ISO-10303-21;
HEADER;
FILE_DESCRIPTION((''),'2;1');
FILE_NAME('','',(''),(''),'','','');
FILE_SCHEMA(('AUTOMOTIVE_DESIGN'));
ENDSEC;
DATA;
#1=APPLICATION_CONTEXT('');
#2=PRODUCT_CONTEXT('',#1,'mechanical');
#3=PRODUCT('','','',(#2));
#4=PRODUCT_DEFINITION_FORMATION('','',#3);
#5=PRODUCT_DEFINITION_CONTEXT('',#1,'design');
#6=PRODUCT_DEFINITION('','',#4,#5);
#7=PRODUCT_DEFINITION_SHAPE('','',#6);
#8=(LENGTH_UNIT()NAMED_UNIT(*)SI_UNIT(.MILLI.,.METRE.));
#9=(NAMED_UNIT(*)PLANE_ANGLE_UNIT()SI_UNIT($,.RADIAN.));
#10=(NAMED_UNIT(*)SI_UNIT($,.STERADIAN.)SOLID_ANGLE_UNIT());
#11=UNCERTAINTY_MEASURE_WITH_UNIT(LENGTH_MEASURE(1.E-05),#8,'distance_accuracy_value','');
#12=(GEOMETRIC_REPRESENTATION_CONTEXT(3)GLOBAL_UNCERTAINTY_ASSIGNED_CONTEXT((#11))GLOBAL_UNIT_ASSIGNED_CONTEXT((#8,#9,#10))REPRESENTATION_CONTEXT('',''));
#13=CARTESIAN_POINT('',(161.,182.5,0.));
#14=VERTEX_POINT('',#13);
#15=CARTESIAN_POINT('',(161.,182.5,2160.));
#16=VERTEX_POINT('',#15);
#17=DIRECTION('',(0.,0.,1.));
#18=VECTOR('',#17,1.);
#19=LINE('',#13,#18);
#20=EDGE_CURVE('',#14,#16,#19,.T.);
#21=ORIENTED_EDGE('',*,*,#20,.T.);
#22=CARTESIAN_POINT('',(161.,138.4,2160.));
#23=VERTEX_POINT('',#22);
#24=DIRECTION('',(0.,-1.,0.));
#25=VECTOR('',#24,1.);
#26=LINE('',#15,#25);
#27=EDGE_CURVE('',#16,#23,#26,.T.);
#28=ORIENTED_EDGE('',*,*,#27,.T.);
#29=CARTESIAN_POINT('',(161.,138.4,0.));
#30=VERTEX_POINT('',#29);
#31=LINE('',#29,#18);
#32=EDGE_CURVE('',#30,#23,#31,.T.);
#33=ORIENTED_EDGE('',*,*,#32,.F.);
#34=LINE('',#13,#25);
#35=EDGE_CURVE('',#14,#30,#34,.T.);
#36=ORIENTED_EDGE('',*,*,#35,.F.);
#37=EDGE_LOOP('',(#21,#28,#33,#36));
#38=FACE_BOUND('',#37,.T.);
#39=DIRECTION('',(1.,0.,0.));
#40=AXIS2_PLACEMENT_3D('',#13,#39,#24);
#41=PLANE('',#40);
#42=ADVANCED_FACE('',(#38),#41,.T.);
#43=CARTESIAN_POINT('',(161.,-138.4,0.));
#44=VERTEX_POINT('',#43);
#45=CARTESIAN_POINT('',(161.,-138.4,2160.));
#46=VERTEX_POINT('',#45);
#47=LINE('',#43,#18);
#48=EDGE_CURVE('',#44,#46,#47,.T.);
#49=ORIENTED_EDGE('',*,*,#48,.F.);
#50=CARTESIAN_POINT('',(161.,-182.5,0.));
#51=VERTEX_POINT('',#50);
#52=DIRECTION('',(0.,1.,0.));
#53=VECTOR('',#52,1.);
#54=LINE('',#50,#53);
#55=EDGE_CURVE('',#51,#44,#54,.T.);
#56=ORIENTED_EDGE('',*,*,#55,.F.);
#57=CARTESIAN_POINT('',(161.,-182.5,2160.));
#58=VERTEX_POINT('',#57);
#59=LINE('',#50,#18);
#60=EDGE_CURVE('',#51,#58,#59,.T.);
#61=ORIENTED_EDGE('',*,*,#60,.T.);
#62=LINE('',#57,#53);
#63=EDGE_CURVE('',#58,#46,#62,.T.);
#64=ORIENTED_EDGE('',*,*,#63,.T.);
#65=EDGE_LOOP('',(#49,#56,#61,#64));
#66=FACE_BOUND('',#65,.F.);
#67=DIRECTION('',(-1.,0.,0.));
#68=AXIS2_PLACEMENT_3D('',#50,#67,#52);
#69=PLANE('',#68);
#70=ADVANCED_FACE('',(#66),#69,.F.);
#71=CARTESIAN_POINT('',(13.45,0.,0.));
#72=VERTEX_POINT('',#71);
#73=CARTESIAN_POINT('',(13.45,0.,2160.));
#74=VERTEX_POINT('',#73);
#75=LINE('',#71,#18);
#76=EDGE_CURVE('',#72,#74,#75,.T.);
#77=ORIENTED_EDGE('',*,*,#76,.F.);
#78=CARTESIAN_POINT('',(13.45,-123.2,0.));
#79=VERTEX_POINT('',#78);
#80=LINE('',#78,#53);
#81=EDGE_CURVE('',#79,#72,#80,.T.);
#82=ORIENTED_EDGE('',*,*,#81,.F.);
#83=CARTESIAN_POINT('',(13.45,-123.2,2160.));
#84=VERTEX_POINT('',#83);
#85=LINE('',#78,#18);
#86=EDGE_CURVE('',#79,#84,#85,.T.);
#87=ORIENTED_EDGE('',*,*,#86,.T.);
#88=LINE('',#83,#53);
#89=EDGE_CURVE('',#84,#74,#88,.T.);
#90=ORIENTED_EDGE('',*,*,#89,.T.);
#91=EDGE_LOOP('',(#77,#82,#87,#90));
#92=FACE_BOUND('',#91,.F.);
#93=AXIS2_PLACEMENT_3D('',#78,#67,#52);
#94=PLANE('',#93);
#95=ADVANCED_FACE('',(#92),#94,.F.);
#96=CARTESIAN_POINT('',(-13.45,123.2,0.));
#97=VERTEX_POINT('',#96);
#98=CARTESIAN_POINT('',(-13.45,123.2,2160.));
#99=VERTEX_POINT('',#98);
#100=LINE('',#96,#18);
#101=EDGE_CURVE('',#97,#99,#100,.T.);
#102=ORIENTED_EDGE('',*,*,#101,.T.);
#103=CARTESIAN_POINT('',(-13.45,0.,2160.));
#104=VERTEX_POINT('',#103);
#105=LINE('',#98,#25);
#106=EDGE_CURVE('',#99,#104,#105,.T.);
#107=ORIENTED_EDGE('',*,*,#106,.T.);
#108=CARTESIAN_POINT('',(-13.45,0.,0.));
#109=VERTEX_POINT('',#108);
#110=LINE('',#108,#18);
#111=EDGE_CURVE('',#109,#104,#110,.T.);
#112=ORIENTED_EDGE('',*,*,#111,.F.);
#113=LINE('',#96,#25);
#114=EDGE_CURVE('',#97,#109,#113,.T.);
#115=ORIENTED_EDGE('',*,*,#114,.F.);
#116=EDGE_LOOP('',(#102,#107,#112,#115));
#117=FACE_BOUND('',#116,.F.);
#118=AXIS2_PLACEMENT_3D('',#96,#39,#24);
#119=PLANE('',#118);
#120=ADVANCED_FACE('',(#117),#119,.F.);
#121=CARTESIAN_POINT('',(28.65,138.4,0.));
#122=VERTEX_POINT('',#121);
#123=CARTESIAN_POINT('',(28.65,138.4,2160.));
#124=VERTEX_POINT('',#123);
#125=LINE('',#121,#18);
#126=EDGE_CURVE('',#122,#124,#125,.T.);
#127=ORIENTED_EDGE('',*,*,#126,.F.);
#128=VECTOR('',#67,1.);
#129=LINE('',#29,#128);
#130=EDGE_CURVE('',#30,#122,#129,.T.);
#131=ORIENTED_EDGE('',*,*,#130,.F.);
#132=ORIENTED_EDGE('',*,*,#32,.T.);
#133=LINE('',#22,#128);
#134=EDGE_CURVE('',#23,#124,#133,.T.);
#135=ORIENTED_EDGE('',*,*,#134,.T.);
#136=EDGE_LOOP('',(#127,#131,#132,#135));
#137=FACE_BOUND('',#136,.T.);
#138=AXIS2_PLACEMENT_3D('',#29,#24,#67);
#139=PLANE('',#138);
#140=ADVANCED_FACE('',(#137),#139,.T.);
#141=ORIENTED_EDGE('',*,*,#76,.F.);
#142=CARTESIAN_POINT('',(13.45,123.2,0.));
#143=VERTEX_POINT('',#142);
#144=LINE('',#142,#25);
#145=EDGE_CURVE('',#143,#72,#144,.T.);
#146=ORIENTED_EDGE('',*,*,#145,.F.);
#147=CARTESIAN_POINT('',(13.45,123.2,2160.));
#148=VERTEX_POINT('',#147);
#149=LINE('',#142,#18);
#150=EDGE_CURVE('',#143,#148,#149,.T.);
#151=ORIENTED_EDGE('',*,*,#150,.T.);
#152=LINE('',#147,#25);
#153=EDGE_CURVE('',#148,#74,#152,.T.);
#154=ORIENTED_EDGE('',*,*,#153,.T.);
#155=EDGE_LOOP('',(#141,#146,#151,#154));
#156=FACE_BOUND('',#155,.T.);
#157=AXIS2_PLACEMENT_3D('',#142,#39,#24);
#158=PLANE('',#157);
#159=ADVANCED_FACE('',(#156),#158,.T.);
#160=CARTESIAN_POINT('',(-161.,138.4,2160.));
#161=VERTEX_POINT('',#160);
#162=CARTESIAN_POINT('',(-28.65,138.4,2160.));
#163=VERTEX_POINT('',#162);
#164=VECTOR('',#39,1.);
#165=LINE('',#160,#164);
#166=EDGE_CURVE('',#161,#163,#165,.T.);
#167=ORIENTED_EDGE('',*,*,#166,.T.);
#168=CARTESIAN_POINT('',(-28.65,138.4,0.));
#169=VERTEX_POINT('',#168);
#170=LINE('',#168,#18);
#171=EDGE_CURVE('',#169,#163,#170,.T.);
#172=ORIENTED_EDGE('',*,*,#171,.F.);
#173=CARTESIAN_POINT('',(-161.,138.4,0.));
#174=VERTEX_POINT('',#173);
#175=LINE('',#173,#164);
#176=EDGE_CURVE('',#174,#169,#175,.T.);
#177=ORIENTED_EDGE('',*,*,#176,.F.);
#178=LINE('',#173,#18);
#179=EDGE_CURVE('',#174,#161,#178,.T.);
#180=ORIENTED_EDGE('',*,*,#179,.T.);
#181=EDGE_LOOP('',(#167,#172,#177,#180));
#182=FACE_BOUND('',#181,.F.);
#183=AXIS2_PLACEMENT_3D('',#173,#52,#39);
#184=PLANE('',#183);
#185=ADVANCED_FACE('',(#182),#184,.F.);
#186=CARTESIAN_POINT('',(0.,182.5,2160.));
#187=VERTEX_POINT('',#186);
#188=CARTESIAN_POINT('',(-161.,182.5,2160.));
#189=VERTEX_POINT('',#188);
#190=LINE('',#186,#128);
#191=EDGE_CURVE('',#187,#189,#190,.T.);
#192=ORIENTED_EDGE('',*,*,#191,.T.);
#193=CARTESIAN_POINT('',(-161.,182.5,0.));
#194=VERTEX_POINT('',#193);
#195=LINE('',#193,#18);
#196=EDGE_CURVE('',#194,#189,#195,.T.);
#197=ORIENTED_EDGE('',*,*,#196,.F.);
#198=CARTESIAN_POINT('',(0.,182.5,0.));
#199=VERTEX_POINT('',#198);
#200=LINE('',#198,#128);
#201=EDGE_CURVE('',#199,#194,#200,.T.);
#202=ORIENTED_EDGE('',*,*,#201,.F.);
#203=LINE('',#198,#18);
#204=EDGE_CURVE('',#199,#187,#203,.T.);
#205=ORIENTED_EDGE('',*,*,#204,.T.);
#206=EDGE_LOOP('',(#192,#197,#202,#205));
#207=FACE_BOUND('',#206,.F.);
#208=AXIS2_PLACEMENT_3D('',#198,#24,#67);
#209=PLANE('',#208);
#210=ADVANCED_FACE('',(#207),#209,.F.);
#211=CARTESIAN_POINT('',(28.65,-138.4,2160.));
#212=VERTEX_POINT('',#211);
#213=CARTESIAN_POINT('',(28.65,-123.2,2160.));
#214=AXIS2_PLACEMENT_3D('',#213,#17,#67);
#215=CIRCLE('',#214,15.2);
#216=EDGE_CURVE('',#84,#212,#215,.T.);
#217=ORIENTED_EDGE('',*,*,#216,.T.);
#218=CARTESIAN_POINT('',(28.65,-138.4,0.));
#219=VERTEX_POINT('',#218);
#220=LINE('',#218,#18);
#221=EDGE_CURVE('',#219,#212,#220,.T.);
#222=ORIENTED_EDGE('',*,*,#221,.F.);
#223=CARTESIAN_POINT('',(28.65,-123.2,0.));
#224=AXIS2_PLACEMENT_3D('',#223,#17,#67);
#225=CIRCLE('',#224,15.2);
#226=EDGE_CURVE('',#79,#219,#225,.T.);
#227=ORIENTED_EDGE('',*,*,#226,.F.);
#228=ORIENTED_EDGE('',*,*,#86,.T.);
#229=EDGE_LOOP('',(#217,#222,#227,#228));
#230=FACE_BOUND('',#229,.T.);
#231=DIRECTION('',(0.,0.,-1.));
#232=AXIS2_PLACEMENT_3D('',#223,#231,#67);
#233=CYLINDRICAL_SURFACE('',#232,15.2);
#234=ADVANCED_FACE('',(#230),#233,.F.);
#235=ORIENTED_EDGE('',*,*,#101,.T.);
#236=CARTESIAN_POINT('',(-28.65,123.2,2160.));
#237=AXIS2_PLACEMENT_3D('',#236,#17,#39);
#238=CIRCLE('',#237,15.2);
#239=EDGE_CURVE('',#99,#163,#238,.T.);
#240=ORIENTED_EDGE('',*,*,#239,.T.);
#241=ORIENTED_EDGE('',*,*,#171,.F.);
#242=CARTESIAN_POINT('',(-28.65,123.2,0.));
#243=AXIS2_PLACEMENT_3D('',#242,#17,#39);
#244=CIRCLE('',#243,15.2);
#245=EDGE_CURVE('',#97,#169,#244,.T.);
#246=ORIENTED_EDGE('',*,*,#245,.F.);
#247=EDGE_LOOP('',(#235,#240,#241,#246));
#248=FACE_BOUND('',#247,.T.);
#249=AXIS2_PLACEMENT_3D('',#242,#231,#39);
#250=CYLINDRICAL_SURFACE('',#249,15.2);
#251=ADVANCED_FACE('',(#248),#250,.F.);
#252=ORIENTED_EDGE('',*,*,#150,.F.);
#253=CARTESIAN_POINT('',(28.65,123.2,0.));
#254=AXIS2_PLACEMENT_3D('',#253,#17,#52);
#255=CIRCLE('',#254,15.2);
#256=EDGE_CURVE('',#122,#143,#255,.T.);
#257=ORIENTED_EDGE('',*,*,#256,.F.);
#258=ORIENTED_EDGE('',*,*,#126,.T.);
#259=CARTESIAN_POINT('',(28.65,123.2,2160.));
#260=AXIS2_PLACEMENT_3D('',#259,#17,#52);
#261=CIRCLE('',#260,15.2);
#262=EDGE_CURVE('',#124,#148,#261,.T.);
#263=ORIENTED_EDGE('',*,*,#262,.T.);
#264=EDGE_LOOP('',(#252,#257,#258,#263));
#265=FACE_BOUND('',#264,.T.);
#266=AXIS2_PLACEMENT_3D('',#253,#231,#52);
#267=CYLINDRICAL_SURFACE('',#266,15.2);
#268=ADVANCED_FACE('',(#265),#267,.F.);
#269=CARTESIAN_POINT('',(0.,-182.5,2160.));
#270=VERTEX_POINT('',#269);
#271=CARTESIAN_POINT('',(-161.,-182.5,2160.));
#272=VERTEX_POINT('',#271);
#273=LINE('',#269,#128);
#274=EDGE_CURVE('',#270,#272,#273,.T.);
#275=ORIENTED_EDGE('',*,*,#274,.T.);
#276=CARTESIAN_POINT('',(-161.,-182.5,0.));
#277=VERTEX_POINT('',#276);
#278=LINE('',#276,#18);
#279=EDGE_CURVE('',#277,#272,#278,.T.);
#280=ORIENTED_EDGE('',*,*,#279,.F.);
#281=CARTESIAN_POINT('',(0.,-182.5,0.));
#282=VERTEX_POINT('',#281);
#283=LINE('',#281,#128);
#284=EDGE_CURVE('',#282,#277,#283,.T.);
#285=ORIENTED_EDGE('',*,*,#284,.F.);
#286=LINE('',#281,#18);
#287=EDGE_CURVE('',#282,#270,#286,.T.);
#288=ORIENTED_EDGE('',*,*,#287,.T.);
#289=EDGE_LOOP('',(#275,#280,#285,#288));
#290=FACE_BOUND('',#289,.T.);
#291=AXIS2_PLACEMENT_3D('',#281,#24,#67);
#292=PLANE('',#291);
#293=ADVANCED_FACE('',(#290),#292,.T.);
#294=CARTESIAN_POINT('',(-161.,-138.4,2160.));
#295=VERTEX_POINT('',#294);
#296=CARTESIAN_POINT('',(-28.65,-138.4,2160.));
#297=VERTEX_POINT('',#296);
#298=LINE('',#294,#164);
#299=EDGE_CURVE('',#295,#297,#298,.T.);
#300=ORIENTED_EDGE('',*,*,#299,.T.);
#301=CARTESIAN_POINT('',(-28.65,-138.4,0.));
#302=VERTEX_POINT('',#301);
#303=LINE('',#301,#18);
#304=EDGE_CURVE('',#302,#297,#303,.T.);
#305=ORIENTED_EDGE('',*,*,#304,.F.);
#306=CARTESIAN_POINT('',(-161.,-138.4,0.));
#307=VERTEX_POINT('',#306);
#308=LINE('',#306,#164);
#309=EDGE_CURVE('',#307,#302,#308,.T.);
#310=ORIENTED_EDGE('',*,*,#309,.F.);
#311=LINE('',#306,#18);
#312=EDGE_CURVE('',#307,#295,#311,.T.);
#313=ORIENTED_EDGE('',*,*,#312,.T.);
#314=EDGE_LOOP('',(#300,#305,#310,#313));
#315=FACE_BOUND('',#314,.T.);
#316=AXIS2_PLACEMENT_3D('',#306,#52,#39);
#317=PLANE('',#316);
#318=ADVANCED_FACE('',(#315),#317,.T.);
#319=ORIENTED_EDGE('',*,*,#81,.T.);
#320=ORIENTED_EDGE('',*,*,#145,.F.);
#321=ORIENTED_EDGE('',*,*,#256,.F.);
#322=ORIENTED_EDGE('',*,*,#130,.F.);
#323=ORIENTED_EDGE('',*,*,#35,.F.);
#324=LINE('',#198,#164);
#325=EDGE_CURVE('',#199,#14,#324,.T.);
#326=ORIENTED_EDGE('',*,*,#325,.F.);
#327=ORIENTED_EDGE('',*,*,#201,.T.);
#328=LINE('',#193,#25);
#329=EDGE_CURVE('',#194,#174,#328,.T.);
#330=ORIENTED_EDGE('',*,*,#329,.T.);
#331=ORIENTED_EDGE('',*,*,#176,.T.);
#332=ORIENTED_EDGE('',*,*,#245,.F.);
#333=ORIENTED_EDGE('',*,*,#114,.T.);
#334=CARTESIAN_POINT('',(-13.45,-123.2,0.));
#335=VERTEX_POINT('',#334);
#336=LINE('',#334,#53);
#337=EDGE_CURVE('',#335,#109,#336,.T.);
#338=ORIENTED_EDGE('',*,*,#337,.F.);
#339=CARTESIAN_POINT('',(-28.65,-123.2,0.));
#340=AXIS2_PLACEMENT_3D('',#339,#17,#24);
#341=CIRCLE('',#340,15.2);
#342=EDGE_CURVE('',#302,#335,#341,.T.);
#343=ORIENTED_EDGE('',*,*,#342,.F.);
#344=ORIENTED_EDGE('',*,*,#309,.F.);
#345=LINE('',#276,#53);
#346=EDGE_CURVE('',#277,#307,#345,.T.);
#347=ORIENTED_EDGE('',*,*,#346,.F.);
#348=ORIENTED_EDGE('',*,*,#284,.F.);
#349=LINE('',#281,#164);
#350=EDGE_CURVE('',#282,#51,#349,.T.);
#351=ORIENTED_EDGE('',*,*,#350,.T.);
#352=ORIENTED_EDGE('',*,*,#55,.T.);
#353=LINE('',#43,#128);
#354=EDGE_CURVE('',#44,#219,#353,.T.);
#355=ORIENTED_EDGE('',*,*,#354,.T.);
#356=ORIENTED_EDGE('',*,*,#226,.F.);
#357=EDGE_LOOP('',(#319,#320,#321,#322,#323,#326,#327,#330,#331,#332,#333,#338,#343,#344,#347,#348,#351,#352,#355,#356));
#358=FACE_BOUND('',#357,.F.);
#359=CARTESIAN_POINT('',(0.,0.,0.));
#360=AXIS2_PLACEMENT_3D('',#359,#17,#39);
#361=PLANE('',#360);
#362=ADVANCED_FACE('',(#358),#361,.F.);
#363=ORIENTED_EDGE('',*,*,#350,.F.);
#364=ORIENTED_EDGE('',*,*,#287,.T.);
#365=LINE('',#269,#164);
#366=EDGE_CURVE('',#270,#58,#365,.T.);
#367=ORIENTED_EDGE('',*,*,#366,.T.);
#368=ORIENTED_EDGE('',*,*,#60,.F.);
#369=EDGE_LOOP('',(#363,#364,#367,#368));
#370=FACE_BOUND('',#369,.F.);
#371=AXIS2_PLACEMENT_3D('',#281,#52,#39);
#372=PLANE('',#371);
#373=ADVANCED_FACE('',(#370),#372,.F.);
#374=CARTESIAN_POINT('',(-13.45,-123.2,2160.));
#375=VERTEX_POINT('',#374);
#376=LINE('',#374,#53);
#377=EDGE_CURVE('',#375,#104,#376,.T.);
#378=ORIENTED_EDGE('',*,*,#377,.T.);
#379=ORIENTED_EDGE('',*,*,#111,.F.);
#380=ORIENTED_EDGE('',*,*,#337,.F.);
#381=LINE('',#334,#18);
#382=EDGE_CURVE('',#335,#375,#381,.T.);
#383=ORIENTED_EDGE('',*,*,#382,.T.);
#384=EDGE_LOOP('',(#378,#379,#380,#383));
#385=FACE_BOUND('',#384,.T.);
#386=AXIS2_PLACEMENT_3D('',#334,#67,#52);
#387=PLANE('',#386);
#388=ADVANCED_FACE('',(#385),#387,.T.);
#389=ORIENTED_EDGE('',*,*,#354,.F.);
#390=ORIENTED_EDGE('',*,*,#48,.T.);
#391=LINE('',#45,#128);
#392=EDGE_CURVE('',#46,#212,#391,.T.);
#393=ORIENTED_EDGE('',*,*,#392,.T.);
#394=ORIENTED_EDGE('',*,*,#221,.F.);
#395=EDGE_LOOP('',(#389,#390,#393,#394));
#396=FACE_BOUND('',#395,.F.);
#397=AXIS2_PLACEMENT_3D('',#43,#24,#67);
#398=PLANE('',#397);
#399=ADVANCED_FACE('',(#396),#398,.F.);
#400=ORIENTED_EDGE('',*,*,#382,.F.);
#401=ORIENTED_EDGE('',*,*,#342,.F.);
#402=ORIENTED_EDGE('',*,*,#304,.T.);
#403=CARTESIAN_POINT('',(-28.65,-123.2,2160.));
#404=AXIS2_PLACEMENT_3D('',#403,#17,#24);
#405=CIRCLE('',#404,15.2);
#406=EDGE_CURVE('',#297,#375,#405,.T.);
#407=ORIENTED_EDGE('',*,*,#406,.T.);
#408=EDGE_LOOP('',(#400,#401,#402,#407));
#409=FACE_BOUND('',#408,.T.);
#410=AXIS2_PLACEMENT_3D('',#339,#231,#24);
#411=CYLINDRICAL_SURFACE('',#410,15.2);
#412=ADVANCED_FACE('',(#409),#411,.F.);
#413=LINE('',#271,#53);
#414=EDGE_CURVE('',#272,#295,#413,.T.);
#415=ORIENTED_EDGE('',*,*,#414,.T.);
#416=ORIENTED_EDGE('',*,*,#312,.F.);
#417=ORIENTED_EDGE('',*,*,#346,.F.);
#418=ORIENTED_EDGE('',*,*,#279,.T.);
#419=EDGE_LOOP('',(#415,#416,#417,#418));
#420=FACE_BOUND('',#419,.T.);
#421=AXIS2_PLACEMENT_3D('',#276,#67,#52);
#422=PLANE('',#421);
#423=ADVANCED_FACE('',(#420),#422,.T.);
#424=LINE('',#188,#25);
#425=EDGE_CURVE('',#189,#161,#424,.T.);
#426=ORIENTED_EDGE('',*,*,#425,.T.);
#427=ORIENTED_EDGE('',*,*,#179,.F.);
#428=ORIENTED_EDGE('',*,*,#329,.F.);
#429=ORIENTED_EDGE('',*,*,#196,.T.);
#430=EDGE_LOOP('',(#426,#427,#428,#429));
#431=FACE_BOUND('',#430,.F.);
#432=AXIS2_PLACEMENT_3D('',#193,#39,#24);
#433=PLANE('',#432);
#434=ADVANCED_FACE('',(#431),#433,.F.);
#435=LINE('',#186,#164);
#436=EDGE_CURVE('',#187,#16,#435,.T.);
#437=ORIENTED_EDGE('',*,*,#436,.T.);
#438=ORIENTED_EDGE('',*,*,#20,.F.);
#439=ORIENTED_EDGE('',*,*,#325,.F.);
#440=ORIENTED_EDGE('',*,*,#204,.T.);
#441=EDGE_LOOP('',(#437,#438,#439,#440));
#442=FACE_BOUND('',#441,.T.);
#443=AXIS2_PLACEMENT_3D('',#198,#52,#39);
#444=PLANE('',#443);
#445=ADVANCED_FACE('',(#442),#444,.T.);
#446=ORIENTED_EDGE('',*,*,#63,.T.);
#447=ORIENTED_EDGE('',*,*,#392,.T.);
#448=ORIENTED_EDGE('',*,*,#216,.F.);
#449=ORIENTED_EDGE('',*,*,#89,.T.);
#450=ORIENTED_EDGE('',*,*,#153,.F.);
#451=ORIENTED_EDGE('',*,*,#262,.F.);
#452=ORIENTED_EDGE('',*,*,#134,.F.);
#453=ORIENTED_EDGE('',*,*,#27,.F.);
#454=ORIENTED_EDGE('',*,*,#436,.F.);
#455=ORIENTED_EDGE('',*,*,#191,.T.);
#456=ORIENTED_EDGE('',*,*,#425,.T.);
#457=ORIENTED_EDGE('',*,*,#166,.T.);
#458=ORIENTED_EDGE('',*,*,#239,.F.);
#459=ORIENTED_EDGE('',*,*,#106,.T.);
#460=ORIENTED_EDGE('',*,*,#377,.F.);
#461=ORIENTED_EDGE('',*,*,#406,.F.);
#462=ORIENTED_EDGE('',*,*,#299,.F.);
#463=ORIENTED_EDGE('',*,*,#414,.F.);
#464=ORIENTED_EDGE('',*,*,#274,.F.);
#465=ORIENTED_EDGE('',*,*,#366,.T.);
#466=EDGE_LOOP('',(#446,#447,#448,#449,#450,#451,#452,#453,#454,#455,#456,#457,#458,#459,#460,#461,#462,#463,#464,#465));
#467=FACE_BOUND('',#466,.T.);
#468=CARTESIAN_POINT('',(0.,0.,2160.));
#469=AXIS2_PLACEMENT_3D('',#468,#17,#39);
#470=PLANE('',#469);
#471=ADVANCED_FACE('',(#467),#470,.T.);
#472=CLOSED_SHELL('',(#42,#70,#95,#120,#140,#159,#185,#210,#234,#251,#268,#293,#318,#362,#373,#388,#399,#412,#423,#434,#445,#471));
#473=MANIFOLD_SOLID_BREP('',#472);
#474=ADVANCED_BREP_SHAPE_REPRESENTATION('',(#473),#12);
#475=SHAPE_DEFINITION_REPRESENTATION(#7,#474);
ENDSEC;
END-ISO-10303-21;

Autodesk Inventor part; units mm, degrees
ref_plane "YZ Plane" through (0, 0, 0) normal (1, 0, 0) x (0, 1, 0)
ref_plane "Start plane" through (0, 0, 0) normal (0, 0, 1) x (1, 0, 0)
ref_plane "End plane" through (0, 0, 2160) normal (0, 0, 1) x (1, 0, 0)
sketch "Sketch" plane through (0, 0, 0) normal (0, 0, 1) x (1, 0, 0)
  line L0 (-161, -182.5) -> (-161, -138.4)
  line L1 (-161, -138.4) -> (-28.65, -138.4)
  line L2 (-13.45, -123.2) -> (-13.45, 0)
  line L3 (-13.45, 0) -> (0, 0) construction
  line L4 (0, 0) -> (0, -182.5) construction
  line L5 (0, -182.5) -> (-161, -182.5)
  line L6 (-60, 0) -> (80, 0) construction
  line L7 (0, -60) -> (0, 80) construction
  line L8 (161, -182.5) -> (161, -138.4)
  line L9 (161, -138.4) -> (28.65, -138.4)
  line L10 (13.45, -123.2) -> (13.45, 0)
  line L11 (13.45, 0) -> (0, 0) construction
  line L12 (0, -182.5) -> (161, -182.5)
  line L13 (-161, 182.5) -> (-161, 138.4)
  line L14 (-161, 138.4) -> (-28.65, 138.4)
  line L15 (-13.45, 123.2) -> (-13.45, 0)
  line L16 (0, 182.5) -> (-161, 182.5)
  line L17 (161, 182.5) -> (161, 138.4)
  line L18 (161, 138.4) -> (28.65, 138.4)
  line L19 (0, 182.5) -> (161, 182.5)
  line L20 (13.45, 123.2) -> (13.45, 0)
  arc A0 (-13.45, 123.2) -> (-28.65, 138.4) centre (-28.65, 123.2) ccw
  arc A1 (28.65, 138.4) -> (13.45, 123.2) centre (28.65, 123.2) ccw
  arc A2 (13.45, -123.2) -> (28.65, -138.4) centre (28.65, -123.2) ccw
  arc A3 (-28.65, -138.4) -> (-13.45, -123.2) centre (-28.65, -123.2) ccw
  line L21 (0, 108) -> (0, -88) construction
  line L22 (-88, 0) -> (108, 0) construction
  point P0 (-13.45, -138.4)
  point P1 (13.45, -138.4)
  point P2 (-13.45, 138.4)
  point P3 (13.45, 138.4)
  dimension "d1" = 182.5
  dimension "d2" = 44.1
  dimension "d3" = 161
  dimension "d4" = 13.45
  dimension "d10" = 15.2
extrude "Body" add sketch "Sketch" along normal up to surface (2160 mm away) from surface at 0
sketch "Sketch4" plane through (0, 0, 0) normal (0, 0, 1) x (1, 0, 0)
  line L0 (0, 0) -> (10, 0)
ref_plane "Work Plane3" through (0, 0, 0) normal (0, -1, 0) x (1, 0, 0)
sketch "Sketch5" plane through (0, 0, 0) normal (0, -1, 0) x (1, 0, 0)
  line L0 (-2, 0) -> (12, 0) projected
  line L1 (-2, 2160) -> (12, 2160) projected
  dimension "d14" = 2160
equation "\"d1\" = 0.5 * G_H"
equation "\"d2\" = G_T1"
equation "\"d3\" = 0.5 * G_W"
equation "\"d4\" = 0.5 * G_T"
equation "\"d10\" = G_IR"
equation "\"d5\" = G_L"
equation "\"G_W\" = 322"
equation "\"G_H\" = 365"
equation "\"G_T\" = 26.9"
equation "\"G_T1\" = 44.1"
equation "\"G_IR\" = 15.2"
equation "\"G_L\" = d14"
equation "\"G_OFFSET_START\" = 0"
equation "\"G_OFFSET_END\" = 0"
properties part number "AS 3679 - 310 UC - 283 - 2160" material "Steel, Mild"
